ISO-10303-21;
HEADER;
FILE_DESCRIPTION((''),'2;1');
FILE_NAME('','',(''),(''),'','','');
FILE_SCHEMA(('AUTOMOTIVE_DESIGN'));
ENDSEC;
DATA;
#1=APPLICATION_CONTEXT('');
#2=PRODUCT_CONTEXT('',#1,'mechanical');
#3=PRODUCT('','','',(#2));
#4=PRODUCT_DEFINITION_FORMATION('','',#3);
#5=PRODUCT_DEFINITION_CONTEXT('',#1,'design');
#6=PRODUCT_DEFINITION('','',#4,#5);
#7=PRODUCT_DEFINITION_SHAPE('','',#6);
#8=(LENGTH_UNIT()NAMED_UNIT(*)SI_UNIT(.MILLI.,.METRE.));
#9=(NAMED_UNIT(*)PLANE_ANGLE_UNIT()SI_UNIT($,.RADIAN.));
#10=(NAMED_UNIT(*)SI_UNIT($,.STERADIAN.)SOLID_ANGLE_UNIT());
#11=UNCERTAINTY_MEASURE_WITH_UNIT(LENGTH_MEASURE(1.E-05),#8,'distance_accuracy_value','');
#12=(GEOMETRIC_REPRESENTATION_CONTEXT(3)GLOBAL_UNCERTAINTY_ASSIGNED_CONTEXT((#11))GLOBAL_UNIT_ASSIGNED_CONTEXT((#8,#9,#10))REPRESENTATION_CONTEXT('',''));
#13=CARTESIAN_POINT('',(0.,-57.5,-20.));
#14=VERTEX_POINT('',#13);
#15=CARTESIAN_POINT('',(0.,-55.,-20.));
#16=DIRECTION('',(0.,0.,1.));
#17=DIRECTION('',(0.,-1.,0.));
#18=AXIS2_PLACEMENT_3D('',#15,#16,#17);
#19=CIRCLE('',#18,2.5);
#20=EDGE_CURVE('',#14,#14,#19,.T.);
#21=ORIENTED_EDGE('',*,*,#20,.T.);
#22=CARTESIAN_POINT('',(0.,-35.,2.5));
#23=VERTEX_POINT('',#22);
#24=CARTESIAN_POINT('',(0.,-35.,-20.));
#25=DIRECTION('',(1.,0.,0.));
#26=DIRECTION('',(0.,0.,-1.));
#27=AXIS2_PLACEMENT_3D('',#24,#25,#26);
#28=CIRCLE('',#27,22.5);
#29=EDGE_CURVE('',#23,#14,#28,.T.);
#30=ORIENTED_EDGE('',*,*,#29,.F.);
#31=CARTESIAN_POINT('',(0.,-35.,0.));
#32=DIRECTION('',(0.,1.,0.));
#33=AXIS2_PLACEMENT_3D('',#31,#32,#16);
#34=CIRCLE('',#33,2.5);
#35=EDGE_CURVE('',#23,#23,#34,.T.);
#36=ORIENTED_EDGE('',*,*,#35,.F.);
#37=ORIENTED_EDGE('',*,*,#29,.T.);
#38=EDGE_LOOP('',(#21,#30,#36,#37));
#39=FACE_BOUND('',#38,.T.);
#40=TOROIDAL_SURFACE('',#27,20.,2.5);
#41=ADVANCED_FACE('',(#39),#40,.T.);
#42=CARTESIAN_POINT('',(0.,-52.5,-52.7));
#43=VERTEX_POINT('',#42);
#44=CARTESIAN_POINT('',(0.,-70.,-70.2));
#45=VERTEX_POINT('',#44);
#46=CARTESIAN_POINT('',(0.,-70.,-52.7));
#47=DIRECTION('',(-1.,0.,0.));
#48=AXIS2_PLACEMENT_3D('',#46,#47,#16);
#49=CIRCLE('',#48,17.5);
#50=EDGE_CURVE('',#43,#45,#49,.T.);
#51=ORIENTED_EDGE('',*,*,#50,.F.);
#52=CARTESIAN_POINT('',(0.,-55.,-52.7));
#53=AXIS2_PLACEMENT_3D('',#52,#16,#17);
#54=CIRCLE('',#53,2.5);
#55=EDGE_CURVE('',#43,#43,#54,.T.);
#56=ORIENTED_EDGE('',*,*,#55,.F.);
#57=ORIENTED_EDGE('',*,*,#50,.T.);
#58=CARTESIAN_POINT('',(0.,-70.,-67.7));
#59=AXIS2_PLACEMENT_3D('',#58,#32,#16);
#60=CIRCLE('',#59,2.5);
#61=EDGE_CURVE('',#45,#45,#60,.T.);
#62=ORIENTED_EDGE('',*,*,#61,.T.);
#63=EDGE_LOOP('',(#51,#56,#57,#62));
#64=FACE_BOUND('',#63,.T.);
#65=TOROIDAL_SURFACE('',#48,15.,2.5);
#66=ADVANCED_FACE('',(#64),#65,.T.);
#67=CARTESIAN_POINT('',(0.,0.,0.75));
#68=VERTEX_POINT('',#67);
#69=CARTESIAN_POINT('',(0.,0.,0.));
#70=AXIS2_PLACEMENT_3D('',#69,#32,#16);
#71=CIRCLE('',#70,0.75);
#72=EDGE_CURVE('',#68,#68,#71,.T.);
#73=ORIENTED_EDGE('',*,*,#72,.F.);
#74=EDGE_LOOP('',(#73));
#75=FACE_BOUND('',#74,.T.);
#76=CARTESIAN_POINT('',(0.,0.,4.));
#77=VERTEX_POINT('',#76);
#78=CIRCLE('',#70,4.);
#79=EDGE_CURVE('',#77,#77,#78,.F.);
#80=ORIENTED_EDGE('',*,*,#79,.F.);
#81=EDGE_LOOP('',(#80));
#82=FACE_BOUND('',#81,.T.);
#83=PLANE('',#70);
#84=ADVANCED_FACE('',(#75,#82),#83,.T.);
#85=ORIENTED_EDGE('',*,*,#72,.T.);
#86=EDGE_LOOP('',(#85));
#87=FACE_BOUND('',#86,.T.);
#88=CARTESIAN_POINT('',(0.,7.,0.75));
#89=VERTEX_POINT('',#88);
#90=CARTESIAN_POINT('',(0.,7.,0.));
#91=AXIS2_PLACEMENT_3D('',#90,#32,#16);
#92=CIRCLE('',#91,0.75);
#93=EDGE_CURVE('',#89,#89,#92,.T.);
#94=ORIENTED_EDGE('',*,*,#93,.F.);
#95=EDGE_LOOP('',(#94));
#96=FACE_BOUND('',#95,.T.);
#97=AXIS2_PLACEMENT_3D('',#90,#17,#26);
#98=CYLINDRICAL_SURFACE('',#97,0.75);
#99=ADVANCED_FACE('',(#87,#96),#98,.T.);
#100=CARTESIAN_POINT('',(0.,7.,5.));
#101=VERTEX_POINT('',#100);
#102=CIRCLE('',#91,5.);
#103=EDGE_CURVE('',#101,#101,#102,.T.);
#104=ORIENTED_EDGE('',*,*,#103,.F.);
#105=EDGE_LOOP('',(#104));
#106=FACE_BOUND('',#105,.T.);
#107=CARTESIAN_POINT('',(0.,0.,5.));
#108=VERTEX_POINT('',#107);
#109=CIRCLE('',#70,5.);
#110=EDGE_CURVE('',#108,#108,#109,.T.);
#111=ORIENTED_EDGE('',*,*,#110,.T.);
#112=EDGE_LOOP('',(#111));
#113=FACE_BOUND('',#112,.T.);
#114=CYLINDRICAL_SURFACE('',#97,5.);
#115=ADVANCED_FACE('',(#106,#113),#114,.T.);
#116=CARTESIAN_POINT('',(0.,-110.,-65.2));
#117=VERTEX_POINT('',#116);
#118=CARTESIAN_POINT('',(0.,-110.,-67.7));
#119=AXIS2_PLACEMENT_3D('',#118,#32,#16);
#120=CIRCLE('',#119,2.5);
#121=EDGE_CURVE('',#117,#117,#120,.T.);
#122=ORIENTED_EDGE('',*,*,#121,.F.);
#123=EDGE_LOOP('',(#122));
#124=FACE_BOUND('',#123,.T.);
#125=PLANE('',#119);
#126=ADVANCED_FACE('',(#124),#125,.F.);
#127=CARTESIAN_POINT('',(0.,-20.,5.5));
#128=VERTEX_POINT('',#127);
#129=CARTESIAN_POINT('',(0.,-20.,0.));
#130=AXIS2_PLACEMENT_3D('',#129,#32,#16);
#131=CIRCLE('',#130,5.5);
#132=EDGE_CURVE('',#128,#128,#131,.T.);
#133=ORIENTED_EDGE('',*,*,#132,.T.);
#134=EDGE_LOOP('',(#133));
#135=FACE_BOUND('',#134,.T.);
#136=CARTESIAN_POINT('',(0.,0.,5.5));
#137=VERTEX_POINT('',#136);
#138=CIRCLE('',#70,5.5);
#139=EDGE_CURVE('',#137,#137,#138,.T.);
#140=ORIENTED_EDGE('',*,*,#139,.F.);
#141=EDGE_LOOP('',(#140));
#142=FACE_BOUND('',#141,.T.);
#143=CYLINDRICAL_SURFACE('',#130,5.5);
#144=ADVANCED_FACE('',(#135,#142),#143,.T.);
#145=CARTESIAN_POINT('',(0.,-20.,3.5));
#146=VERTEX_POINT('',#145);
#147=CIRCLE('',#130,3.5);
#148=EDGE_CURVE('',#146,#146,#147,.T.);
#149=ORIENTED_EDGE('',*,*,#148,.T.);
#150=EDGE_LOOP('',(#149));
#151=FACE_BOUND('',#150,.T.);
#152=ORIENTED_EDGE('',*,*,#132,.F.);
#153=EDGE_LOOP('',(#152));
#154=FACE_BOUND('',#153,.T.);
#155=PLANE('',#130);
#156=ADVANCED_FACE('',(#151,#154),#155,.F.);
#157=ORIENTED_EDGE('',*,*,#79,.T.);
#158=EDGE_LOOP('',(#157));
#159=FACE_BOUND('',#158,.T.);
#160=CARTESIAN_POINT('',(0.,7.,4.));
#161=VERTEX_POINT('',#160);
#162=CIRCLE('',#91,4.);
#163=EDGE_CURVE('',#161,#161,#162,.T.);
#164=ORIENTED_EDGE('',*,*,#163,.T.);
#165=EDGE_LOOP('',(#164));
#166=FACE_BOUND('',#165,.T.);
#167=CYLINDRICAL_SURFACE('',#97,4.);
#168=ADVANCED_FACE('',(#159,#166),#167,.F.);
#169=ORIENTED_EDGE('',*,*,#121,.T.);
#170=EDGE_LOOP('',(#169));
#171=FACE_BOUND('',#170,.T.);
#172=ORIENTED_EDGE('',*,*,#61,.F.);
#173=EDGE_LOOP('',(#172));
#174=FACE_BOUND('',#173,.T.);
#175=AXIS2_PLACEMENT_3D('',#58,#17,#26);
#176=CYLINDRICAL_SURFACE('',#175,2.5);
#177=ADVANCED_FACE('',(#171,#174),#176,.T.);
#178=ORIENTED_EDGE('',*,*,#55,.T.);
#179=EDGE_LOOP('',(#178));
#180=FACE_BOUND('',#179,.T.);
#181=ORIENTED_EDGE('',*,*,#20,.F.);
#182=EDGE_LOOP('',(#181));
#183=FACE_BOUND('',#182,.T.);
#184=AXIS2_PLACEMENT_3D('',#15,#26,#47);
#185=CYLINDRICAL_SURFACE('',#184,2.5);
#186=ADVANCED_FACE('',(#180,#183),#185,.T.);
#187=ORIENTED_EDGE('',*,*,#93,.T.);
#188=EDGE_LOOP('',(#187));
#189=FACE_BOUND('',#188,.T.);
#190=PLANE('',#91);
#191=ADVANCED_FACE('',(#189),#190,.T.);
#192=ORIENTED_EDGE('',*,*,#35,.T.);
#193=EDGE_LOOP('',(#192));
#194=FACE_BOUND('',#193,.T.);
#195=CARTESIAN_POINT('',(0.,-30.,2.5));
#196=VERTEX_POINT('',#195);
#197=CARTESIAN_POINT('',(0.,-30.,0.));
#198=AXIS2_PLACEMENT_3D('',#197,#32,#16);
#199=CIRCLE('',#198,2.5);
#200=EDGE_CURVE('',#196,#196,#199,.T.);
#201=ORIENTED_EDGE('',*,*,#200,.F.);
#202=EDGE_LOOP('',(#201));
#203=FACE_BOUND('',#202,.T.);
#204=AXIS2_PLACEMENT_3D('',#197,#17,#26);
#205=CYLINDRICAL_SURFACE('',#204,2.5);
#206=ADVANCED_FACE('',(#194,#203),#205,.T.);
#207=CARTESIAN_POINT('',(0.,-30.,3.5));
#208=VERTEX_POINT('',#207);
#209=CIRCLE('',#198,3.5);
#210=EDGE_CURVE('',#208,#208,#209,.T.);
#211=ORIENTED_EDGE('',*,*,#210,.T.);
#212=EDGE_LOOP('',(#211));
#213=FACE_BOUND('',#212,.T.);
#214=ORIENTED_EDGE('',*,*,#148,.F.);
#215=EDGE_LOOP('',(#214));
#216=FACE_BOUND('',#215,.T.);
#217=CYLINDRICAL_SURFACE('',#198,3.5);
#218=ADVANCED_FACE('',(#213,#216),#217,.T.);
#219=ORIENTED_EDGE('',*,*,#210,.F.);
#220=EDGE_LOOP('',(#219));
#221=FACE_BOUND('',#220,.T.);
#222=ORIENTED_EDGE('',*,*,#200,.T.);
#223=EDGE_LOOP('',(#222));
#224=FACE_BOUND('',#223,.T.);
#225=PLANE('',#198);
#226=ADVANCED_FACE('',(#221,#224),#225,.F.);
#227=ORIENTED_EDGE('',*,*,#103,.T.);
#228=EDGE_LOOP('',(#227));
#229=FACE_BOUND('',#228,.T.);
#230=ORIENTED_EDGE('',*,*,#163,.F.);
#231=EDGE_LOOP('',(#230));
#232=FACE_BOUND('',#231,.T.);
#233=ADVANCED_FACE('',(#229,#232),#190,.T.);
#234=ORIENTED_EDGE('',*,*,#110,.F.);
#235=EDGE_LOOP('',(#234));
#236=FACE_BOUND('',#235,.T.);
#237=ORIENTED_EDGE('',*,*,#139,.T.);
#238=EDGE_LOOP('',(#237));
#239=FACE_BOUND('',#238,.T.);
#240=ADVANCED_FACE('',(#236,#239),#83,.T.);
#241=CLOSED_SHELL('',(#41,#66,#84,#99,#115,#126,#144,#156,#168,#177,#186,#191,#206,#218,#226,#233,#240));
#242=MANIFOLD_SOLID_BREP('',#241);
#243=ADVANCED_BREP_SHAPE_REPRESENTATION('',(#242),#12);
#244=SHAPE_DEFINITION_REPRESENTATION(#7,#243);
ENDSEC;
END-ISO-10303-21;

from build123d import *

# Parameters (mm, degrees)
SKETCH1_R           = 5.5
HANDLE_DEPTH        = 20
SKETCH2_R           = 5
SKETCH2_R_2         = 4
SLEEVE_DEPTH        = 7
SKETCH3_R           = 0.75
CENTRE_PIN_DEPTH    = 7
SKETCH4_R           = 3.5
STRAIN_RELIEF_DEPTH = 10
LEAD_PROFILE_R      = 2.5


with BuildPart() as part:
    # Sketch1 → Handle (new body)
    with BuildSketch(Plane(origin=(0, 0, 0), x_dir=(1, 0, 0), z_dir=(0, 1, 0))):
        with Locations(Location((0, 0, 0), (0, 0, 270))):
            Circle(SKETCH1_R)
    extrude(amount=-HANDLE_DEPTH)

    # Sketch2 → Sleeve (add)
    with BuildSketch(Plane(origin=(0, 0, 0), x_dir=(1, 0, 0), z_dir=(0, 1, 0))):
        with Locations(Location((0, 0, 0), (0, 0, 270))):
            Circle(SKETCH2_R)
        with Locations(Location((0, 0, 0), (0, 0, 270))):
            Circle(SKETCH2_R_2, mode=Mode.SUBTRACT)
    extrude(amount=SLEEVE_DEPTH)

    # Sketch3 → Centre_pin (add)
    with BuildSketch(Plane(origin=(0, 0, 0), x_dir=(1, 0, 0), z_dir=(0, 1, 0))):
        with Locations(Location((0, 0, 0), (0, 0, 270))):
            Circle(SKETCH3_R)
    extrude(amount=CENTRE_PIN_DEPTH)

    # Sketch4 → Strain_relief (add)
    with BuildSketch(Plane(origin=(0, -20, 0), x_dir=(1, 0, 0), z_dir=(0, 1, 0))):
        with Locations(Location((0, 0, 0), (0, 0, 270))):
            Circle(SKETCH4_R)
    extrude(amount=-STRAIN_RELIEF_DEPTH)

    # Lead: sweep along a path in Sketch5
    with BuildLine(Plane(origin=(0, 0, 0), x_dir=(0, 0, -1), z_dir=(1, 0, 0))) as lead_path:
        Line((0, -30), (0, -35))
        ThreePointArc((0, -35), (5.857864376, -49.142135624), (20, -55))
        Line((20, -55), (52.7, -55))
        ThreePointArc((52.7, -55), (63.306601718, -59.393398282), (67.7, -70))
        Line((67.7, -70), (67.7, -110))
    # Lead profile (on start of the path) → Lead (sweep)
    with BuildSketch(Plane(origin=(0, -30, 0), x_dir=(0, 0, -1), z_dir=(0, -1, 0))):
        Circle(LEAD_PROFILE_R)
    sweep(path=lead_path.line)


solid = part.part
